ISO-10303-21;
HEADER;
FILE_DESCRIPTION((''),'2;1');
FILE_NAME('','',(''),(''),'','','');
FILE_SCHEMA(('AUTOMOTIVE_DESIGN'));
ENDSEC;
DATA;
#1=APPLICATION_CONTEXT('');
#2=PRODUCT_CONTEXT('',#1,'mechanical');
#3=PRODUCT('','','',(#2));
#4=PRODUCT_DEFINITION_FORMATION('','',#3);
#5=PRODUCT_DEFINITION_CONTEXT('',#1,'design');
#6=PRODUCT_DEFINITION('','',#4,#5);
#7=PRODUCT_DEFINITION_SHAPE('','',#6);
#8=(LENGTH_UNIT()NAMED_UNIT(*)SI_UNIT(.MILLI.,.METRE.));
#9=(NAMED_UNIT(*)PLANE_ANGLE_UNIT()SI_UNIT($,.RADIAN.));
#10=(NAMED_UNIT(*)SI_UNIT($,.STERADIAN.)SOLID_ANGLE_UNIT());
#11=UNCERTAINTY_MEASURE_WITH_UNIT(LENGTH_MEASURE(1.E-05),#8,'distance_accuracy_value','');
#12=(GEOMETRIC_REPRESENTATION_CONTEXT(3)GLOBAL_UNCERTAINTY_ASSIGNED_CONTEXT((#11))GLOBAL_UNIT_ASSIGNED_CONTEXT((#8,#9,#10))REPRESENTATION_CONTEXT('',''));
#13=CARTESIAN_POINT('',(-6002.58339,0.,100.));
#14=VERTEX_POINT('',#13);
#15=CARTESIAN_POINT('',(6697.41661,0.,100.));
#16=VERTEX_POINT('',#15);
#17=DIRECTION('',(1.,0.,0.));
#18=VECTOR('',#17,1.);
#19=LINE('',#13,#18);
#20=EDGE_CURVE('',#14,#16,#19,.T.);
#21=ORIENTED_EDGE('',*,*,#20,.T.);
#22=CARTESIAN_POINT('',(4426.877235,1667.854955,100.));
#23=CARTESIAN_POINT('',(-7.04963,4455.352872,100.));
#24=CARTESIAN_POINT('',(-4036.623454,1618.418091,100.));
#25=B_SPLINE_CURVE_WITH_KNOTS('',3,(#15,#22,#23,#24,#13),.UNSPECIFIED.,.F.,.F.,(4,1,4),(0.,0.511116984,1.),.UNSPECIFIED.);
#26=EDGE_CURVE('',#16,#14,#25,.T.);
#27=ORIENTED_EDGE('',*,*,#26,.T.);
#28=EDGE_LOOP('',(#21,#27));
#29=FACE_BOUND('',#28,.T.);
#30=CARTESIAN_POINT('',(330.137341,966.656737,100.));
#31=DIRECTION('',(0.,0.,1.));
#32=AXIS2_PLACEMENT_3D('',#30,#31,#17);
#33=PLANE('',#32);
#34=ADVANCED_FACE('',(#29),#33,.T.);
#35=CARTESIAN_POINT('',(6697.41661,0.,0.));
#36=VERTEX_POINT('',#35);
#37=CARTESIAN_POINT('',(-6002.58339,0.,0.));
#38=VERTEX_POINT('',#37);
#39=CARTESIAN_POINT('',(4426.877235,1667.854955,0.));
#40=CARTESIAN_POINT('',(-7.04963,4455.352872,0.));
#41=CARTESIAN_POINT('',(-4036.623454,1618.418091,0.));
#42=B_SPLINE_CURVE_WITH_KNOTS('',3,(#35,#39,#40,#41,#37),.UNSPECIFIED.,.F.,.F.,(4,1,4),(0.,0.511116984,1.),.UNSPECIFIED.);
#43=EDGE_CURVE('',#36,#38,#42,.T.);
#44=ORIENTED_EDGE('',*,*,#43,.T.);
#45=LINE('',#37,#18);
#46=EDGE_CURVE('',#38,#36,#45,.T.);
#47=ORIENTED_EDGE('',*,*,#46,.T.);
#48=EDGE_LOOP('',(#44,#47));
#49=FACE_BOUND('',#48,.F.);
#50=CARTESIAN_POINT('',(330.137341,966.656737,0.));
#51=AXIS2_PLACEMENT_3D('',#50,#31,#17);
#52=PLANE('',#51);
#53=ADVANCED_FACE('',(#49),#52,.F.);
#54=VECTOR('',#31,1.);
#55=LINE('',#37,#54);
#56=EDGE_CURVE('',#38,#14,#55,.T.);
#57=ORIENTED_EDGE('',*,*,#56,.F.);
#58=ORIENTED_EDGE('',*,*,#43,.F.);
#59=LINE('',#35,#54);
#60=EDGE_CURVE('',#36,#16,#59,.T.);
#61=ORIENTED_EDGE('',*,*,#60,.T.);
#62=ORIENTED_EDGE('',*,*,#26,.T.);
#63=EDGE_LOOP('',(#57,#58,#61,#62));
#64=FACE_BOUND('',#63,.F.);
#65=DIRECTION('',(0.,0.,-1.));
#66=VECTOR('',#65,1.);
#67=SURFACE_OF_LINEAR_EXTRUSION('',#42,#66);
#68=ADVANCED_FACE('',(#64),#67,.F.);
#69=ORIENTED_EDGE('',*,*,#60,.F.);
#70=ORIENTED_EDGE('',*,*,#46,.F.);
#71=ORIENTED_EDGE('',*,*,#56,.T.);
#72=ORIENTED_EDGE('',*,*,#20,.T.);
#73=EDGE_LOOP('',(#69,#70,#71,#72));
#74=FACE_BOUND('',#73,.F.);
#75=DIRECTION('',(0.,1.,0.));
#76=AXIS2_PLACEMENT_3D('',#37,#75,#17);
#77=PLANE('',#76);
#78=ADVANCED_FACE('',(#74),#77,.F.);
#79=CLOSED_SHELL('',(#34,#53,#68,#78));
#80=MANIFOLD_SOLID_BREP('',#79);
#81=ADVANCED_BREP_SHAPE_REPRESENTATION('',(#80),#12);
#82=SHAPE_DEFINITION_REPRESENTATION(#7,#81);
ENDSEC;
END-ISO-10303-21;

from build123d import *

# Parameters (mm, degrees)
F1_DEPTH = 100


with BuildPart() as f1:
    # F0 (on Top) → F1 (new body)
    with BuildSketch(Plane.XY):
        with BuildLine():
            add(Edge.make_bspline(
                [(6697.4166096798, 0), (4426.8772348844, 1667.8549551158), (-7.0496303264, 4455.3528720453), (-4036.6234541654, 1618.4180907645), (-6002.5833903202, 0)],
                knots=[0, 0, 0, 0, 0.5111169841, 1, 1, 1, 1], degree=3))
            Line((-6002.5833903202, 0), (6697.4166096798, 0))
        make_face()
    extrude(amount=F1_DEPTH)


solid = f1.part
